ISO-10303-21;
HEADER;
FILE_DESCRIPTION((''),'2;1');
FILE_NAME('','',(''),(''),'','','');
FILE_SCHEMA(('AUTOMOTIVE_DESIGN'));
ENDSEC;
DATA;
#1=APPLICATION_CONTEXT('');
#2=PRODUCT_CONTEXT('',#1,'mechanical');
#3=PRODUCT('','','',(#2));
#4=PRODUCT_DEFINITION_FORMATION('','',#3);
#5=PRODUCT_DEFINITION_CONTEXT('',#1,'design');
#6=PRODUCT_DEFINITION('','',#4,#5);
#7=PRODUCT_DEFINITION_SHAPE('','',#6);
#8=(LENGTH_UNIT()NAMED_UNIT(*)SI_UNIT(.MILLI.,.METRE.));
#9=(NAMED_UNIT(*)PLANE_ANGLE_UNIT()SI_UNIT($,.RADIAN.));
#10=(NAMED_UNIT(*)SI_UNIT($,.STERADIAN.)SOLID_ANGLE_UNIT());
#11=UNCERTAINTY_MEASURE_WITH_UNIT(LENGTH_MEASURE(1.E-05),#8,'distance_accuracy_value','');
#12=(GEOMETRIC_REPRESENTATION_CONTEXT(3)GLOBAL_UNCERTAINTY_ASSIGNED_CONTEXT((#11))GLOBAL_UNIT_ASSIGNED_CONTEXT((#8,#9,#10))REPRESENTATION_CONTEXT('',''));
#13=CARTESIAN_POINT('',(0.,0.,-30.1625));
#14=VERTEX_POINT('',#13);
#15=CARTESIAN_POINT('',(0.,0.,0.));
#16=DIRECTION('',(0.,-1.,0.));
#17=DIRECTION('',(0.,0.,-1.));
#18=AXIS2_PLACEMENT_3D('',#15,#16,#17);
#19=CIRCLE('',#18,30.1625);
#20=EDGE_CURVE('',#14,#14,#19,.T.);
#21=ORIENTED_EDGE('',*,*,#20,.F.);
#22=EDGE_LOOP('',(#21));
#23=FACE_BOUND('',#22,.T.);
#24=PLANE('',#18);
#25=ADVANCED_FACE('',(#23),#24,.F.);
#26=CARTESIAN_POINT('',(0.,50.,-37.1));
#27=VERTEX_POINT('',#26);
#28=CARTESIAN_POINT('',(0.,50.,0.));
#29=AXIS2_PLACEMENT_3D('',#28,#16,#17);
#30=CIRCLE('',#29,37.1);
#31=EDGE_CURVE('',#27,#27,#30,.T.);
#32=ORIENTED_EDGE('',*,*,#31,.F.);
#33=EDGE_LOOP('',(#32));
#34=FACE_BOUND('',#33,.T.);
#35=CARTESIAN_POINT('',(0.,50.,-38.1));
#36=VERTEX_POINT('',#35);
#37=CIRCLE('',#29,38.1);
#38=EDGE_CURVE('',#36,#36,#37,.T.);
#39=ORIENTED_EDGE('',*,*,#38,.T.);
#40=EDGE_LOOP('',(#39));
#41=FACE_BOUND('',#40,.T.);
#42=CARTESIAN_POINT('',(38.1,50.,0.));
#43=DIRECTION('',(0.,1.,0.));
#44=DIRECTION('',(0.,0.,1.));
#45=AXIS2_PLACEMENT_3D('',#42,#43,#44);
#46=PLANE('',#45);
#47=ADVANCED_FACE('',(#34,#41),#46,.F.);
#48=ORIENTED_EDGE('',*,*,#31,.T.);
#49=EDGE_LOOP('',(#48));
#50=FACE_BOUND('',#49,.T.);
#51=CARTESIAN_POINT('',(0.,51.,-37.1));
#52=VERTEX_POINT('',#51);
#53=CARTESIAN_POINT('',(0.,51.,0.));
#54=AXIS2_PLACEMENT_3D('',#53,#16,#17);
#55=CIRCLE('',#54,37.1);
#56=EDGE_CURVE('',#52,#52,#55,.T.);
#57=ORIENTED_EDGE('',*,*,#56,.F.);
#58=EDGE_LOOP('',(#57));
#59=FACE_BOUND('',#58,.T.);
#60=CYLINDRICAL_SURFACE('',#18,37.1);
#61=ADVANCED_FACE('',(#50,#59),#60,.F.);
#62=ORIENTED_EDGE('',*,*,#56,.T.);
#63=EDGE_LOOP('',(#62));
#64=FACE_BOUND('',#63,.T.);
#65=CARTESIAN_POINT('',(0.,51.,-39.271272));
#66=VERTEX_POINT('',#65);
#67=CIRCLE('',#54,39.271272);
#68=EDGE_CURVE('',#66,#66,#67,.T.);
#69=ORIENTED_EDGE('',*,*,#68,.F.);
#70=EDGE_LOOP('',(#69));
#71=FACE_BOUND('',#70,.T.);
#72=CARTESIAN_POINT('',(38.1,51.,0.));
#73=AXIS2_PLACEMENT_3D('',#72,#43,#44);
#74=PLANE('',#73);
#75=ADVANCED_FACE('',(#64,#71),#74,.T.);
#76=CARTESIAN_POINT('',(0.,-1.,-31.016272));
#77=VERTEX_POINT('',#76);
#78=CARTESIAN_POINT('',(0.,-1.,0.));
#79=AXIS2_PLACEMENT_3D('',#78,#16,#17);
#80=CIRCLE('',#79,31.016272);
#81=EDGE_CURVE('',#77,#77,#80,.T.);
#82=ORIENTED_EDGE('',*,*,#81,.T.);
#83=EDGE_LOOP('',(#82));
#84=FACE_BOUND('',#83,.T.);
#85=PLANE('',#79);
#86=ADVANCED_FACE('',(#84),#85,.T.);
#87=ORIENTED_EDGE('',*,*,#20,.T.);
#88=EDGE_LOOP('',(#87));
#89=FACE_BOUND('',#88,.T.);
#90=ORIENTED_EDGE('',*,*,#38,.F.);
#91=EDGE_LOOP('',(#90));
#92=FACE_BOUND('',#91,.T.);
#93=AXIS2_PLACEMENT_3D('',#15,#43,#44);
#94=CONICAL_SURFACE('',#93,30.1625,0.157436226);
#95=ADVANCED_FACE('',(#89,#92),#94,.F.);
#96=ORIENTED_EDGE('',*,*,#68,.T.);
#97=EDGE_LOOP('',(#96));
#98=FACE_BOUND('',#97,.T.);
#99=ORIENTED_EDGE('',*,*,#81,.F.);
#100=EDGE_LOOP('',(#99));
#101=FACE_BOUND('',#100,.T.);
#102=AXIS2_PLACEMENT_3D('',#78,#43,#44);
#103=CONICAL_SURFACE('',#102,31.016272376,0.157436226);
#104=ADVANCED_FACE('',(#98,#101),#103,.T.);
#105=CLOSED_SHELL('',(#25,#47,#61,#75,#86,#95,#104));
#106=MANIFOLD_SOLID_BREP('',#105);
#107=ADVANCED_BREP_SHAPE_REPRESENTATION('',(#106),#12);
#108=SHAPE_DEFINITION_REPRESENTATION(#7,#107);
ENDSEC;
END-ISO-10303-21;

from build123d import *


with BuildPart() as part:
    # Sketch1 → Revolve-Thin3 (revolve)
    with BuildSketch(Plane.XY, mode=Mode.PRIVATE) as revolve_thin3_sk:
        Polygon((0, 0), (30.1625, 0), (38.1, 50), (37.1, 50), (37.1, 51), (39.271272376, 51), (31.016272376, -1), (0, -1), align=None)
    revolve(revolve_thin3_sk.sketch.rotate(Axis((0, 0, 0), (0, 1, 0)), 90), axis=Axis((0, 0, 0), (0, 1, 0)))


solid = part.part
